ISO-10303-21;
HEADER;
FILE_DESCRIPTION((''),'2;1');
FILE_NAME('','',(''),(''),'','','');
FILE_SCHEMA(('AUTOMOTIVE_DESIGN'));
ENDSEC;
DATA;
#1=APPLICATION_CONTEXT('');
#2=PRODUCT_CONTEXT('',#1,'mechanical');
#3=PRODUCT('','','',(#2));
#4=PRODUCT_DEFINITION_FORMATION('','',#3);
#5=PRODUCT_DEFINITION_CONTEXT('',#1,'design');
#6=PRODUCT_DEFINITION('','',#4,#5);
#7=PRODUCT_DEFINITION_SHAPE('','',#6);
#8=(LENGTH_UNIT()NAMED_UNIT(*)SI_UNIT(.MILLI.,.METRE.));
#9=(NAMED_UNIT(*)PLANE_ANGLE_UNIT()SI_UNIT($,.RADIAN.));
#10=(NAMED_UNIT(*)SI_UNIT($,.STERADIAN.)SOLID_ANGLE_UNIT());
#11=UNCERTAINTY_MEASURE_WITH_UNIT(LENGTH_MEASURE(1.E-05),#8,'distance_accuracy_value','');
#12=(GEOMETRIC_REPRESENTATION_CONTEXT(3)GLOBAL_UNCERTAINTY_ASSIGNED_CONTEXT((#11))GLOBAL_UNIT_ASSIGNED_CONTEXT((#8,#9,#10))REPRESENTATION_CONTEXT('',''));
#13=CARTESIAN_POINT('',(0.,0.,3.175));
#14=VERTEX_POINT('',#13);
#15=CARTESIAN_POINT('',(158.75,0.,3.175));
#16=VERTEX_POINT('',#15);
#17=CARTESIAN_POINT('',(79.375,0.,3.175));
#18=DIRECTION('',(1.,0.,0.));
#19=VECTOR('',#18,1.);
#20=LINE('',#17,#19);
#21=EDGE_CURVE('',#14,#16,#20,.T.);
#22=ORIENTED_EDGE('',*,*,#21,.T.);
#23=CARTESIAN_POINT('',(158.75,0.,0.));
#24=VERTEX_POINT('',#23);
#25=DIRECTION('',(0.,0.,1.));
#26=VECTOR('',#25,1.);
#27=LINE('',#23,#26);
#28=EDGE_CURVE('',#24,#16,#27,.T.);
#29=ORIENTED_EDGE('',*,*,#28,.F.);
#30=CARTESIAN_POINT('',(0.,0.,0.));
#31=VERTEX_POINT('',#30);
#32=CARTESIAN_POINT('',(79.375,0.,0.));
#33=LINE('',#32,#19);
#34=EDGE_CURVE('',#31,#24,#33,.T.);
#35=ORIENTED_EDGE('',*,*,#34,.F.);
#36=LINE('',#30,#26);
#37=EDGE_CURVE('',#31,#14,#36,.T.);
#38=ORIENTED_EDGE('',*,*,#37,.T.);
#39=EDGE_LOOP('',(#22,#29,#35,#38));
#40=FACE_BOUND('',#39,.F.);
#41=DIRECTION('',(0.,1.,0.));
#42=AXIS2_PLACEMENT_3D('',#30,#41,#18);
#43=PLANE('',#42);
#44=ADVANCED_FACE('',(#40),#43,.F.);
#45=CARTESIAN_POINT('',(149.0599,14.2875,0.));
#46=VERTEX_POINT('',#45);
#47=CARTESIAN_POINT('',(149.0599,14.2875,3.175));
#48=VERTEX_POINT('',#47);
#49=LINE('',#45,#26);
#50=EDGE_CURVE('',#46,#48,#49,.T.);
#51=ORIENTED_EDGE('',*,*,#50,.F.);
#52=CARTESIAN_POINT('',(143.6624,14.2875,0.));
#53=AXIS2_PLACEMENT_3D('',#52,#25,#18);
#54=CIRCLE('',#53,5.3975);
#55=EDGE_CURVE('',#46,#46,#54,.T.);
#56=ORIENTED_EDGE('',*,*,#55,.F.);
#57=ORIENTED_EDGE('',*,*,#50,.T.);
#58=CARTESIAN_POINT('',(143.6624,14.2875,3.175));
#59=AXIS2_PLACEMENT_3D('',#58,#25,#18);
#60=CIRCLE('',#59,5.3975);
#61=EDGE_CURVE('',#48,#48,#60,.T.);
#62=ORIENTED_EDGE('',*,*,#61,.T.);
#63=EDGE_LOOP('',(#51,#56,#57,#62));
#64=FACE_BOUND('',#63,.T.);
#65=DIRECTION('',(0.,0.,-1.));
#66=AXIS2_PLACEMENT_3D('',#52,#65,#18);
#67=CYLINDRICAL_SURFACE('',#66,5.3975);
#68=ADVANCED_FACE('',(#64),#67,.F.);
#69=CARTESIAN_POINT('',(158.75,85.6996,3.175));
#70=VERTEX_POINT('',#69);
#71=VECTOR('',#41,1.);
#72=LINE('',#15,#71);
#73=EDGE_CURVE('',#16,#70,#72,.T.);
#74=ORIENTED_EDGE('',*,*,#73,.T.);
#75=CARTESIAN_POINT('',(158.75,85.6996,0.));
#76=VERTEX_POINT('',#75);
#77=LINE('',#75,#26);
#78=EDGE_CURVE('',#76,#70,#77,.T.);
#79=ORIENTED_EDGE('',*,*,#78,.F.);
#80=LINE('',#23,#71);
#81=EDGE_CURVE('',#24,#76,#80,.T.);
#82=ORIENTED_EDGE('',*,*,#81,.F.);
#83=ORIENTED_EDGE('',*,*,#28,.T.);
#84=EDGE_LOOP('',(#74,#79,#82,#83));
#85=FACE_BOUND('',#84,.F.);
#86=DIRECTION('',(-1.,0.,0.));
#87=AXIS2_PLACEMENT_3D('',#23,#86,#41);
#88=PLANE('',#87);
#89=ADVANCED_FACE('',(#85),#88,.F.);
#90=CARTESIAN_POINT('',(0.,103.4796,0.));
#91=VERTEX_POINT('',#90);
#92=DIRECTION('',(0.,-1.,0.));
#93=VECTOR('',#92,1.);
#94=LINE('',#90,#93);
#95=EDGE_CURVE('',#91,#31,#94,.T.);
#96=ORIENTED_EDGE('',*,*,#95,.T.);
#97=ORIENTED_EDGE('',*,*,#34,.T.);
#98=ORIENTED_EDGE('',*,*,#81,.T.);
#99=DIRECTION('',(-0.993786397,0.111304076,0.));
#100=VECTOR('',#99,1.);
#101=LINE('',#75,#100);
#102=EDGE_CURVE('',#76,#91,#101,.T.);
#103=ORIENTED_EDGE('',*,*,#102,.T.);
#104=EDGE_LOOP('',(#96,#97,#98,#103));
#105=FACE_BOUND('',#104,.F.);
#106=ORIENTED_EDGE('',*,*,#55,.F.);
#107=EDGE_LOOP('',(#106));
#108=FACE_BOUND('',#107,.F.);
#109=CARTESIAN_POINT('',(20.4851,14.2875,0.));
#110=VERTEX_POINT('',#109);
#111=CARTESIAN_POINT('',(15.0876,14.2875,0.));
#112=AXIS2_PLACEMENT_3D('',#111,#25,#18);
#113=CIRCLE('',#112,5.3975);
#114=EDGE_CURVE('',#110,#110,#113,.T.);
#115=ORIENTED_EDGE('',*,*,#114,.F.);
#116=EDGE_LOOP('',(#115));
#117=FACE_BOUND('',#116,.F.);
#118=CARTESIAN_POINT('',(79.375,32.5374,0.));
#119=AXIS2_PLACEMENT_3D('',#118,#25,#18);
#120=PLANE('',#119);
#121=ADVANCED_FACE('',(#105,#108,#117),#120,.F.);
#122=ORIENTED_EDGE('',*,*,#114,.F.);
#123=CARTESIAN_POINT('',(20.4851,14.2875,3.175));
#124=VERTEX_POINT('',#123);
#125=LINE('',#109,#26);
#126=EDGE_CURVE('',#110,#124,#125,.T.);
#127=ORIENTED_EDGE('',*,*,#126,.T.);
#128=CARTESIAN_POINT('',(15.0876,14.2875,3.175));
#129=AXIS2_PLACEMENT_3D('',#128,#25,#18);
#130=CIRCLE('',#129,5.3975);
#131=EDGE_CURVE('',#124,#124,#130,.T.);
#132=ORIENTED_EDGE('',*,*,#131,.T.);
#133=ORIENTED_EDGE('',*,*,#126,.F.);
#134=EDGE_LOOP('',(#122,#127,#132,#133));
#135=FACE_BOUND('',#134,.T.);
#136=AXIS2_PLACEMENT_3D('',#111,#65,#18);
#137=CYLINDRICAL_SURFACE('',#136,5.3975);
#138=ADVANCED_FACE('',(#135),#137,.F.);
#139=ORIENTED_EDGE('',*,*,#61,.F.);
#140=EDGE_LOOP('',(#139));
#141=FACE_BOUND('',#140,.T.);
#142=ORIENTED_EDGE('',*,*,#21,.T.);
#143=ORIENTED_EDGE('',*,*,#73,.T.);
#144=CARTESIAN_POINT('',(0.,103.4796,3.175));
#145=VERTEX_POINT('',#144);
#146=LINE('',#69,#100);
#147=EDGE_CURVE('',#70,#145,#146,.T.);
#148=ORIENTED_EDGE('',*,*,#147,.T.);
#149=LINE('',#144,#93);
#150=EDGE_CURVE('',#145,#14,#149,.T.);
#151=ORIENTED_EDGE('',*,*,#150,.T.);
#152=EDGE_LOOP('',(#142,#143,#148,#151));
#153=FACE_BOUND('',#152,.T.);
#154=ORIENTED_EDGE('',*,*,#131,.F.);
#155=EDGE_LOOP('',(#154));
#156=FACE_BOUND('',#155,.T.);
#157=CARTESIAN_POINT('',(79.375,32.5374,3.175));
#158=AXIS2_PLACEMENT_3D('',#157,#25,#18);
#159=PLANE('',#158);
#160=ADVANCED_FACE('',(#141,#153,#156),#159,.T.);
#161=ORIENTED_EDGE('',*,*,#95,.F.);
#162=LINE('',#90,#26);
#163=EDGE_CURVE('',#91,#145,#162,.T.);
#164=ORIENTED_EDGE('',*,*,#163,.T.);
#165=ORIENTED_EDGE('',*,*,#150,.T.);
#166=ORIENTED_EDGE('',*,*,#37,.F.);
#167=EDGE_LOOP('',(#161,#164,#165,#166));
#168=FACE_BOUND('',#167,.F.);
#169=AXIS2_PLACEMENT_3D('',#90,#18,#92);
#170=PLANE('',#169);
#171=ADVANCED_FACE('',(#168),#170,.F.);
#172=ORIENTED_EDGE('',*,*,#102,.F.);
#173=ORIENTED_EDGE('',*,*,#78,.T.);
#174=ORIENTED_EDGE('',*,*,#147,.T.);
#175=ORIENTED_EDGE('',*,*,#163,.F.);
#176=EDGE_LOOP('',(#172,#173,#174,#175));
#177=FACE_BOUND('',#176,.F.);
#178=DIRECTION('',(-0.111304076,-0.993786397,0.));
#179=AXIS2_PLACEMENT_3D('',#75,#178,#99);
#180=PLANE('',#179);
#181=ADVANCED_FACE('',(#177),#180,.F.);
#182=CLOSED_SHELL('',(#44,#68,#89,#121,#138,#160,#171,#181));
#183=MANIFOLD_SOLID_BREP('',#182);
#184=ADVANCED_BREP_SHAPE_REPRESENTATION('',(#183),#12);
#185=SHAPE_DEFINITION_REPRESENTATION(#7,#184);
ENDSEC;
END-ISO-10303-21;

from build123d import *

# Parameters (mm, degrees)
F0_W     = 158.75
F0_H     = 65.0748
F0_R     = 5.3975
F1_DEPTH = 3.175


with BuildPart() as f1:
    # F0 (on Top) → F1 (new body)
    with BuildSketch(Plane.XY):
        with Locations((79.375, 32.5374)):
            Rectangle(F0_W, F0_H)
        with Locations((15.0876, 14.2875)):
            Circle(F0_R, mode=Mode.SUBTRACT)
        with Locations((143.6624, 14.2875)):
            Circle(F0_R, mode=Mode.SUBTRACT)
        Polygon((0, 103.4796), (0, 65.0748), (158.75, 65.0748), (158.75, 85.6996), align=None)
    extrude(amount=F1_DEPTH)


solid = f1.part
